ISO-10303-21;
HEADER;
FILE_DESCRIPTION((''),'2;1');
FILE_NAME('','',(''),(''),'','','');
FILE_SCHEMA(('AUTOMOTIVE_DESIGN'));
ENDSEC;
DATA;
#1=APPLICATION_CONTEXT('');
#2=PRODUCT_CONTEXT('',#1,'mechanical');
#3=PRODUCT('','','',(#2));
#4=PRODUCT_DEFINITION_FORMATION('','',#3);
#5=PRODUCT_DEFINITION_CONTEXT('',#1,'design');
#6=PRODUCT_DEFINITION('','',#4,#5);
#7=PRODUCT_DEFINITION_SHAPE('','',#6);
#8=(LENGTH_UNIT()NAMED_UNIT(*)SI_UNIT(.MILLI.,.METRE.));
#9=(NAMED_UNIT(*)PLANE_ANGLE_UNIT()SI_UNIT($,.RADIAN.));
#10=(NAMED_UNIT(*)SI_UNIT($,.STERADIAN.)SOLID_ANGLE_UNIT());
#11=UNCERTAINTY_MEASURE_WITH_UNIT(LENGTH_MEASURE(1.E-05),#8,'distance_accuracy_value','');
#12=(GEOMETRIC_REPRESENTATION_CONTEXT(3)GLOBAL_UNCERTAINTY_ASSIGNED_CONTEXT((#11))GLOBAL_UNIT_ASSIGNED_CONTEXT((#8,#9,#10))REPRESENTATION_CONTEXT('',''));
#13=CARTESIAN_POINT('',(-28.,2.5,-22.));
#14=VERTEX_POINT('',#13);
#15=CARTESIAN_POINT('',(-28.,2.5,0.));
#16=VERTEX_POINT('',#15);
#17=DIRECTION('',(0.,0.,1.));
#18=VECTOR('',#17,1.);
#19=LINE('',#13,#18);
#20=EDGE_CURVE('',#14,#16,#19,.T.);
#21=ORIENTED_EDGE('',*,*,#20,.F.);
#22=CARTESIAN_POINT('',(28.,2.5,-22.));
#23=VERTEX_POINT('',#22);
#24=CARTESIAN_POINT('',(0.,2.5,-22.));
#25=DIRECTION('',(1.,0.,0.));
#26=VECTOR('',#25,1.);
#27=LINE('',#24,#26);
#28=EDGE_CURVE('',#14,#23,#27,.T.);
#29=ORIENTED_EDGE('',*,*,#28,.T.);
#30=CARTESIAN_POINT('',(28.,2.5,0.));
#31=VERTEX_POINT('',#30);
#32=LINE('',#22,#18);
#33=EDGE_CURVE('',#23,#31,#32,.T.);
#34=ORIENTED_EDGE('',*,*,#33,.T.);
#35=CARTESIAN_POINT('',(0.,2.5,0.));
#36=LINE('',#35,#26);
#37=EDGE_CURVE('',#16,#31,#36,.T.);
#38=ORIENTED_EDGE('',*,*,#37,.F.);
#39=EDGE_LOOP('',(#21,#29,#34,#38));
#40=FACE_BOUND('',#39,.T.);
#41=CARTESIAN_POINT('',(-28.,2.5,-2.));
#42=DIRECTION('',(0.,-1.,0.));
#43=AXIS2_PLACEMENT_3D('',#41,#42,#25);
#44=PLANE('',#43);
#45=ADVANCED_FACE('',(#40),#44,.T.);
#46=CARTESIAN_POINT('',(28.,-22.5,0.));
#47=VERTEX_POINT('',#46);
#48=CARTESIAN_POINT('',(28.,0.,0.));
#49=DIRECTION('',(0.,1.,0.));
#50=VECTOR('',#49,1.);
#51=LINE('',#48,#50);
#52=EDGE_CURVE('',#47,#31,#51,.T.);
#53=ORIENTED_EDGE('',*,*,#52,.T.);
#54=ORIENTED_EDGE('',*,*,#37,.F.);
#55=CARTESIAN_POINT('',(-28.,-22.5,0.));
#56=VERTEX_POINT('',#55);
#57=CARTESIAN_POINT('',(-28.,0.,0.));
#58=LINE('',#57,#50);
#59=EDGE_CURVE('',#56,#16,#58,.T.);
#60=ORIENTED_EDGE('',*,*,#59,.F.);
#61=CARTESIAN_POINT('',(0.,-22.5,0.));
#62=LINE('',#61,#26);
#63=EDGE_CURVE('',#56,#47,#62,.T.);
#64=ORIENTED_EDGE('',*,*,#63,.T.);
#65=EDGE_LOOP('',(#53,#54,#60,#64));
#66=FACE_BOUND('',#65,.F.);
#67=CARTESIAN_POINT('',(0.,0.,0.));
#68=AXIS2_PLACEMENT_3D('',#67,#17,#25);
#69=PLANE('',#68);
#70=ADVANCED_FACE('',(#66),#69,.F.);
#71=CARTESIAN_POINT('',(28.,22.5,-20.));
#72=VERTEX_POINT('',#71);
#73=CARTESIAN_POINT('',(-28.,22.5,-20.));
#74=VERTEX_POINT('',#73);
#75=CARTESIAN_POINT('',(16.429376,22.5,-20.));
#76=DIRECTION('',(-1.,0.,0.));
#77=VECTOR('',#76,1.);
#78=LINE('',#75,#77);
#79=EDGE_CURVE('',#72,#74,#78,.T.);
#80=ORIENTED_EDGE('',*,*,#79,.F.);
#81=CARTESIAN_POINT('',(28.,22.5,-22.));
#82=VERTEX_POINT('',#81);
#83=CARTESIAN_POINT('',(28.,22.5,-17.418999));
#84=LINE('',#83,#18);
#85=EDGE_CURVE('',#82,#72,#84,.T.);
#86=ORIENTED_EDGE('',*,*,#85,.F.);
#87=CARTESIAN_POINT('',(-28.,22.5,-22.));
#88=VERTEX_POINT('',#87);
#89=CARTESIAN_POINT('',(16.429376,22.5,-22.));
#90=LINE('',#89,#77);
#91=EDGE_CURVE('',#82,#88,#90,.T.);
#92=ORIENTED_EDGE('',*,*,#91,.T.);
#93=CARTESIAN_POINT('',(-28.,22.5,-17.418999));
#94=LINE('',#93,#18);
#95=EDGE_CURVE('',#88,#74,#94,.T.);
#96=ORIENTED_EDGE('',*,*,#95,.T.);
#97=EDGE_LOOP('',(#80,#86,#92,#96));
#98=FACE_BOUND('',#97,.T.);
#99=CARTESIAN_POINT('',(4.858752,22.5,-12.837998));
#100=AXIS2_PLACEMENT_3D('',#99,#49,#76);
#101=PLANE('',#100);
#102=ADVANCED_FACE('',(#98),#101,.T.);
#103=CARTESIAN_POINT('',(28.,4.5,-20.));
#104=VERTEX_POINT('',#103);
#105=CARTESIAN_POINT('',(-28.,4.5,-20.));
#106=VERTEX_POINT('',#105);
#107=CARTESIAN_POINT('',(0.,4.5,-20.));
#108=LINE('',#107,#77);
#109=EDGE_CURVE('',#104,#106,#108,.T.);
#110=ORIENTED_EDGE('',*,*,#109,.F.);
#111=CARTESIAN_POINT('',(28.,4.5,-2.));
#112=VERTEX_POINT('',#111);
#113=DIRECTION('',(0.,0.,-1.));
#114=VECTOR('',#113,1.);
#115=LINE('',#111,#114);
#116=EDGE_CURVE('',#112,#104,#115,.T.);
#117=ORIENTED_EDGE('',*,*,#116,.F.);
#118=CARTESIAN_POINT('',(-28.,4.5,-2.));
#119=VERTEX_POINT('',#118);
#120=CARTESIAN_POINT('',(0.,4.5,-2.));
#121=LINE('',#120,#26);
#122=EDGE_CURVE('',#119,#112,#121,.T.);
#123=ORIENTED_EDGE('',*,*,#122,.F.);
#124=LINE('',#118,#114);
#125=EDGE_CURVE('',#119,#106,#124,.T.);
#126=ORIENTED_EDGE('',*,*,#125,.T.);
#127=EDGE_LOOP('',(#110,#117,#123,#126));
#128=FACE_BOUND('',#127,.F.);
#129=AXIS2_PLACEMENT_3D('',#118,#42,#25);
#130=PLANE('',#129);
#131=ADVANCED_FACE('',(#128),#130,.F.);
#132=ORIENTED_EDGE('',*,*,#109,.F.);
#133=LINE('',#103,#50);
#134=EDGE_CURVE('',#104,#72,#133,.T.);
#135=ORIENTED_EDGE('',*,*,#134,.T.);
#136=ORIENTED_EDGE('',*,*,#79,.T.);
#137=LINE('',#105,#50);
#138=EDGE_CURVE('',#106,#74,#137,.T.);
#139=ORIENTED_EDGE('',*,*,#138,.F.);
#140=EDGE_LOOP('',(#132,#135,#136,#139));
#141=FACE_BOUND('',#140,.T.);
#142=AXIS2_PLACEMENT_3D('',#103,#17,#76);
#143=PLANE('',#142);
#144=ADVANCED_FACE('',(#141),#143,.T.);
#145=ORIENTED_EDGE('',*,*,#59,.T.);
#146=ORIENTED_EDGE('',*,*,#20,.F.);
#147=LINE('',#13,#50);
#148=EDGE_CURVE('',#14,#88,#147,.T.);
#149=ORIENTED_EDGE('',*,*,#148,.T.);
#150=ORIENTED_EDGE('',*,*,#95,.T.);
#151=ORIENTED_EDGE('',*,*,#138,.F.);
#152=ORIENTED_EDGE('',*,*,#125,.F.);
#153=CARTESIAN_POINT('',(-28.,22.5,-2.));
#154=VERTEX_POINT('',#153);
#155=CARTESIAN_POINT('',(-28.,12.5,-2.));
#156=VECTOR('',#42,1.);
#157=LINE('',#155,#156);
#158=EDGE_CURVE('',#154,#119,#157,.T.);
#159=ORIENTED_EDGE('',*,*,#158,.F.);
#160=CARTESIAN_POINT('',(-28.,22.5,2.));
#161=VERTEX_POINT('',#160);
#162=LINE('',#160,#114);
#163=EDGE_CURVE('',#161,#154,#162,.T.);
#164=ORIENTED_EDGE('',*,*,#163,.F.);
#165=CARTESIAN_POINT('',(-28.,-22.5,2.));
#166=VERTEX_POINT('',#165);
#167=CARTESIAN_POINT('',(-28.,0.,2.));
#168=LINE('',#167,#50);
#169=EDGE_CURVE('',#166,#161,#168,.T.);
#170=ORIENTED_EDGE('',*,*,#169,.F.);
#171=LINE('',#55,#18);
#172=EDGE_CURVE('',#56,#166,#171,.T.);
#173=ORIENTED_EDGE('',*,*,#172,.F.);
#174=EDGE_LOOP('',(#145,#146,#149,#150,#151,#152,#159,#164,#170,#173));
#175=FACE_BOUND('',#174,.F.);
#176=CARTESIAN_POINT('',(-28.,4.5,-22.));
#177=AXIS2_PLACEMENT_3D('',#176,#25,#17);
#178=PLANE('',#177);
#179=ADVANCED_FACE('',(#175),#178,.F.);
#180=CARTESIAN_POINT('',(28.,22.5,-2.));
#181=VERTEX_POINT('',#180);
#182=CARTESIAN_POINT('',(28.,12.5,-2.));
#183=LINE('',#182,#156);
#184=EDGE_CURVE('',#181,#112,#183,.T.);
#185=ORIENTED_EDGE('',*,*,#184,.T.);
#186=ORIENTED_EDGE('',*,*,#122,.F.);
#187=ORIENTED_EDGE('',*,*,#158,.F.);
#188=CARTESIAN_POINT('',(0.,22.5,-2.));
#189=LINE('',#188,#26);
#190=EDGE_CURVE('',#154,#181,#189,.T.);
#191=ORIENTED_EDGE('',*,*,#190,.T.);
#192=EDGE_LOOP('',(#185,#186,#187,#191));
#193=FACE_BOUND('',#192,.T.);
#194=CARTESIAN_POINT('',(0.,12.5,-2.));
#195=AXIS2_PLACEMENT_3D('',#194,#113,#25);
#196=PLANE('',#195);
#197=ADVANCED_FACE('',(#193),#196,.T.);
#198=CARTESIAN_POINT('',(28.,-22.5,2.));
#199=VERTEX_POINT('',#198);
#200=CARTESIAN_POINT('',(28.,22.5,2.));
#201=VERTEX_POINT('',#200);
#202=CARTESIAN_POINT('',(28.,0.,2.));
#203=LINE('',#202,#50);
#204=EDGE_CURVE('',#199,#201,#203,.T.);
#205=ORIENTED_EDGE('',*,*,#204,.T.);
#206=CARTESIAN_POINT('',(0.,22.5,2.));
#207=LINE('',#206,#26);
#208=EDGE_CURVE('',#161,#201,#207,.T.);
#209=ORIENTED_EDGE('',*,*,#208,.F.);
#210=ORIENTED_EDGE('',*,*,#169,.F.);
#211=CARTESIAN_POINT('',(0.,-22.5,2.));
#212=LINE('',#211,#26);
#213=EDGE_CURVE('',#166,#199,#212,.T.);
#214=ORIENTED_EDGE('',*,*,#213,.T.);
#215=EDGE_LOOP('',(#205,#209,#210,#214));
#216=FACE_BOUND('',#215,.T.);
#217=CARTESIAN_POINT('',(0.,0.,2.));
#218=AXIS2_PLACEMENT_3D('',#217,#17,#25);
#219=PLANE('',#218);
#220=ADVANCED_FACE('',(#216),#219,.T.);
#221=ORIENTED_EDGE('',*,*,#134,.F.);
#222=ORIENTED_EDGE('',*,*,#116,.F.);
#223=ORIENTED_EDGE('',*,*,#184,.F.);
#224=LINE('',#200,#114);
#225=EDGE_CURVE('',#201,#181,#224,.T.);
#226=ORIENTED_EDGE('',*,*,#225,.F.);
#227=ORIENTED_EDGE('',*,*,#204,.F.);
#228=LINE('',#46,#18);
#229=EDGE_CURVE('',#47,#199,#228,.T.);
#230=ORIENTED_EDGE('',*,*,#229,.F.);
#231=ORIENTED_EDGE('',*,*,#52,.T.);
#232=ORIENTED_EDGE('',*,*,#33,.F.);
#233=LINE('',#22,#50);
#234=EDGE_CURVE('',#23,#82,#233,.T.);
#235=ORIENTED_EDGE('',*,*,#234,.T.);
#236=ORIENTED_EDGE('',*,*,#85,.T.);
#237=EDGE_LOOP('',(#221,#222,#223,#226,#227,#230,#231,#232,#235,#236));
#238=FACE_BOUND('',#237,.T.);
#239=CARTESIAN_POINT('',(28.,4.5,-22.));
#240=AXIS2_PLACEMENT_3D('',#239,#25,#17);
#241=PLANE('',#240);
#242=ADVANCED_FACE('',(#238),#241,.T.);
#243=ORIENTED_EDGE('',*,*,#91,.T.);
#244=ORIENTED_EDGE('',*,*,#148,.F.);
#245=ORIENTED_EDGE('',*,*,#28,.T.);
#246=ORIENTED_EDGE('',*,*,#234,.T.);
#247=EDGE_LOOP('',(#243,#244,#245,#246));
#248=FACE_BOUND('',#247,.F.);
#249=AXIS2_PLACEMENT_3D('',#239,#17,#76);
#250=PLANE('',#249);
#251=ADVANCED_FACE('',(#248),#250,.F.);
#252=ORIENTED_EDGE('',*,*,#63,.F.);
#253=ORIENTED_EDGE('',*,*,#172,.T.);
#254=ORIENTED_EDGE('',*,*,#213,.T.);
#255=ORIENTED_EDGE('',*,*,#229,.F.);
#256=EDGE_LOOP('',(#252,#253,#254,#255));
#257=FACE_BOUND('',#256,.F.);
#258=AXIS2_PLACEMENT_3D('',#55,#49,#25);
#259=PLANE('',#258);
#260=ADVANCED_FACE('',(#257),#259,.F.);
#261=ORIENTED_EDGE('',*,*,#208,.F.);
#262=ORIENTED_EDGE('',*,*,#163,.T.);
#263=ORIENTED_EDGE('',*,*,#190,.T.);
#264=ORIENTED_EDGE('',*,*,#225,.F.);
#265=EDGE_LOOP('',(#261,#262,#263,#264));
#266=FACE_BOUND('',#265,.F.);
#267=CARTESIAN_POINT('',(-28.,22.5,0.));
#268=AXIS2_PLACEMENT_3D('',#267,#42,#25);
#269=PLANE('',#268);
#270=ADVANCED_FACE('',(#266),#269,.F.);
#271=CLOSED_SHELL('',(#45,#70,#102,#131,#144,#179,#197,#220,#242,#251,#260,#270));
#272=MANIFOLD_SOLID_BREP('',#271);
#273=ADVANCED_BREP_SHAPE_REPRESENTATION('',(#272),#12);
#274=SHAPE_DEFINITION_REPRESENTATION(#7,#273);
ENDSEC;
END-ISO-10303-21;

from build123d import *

# Parameters (mm, degrees)
F0_W      = 56
F0_H      = 45
F1_DEPTH  = 2
F2_W      = 56
F2_H      = 20
F3_DEPTH  = 2
F4_W      = 56
F4_H      = 2
F5_DEPTH  = 20
F6_W      = 56
F6_H      = 2
F7_DEPTH  = 20
F9_W      = 69.615941
F9_H      = 33.992227
F10_DEPTH = 25


with BuildPart() as f1:
    # F0 (on Top) → F1 (new body)
    with BuildSketch(Plane.XY):
        Rectangle(F0_W, F0_H)
    extrude(amount=F1_DEPTH)

    # F2 (on face) → F3 (join)
    with BuildSketch(Plane(origin=(0, 0, 0), x_dir=(1, 0, 0), z_dir=(0, 0, -1))):
        with Locations((0, -12.5)):
            Rectangle(F2_W, F2_H)
    extrude(amount=F3_DEPTH)

    # F4 (on face) → F5 (join)
    with BuildSketch(Plane(origin=(0, 0, -2), x_dir=(1, 0, 0), z_dir=(0, 0, -1))):
        with Locations((0, -3.5)):
            Rectangle(F4_W, F4_H)
    extrude(amount=F5_DEPTH)

    # F6 (on face) → F7 (join)
    with BuildSketch(Plane(origin=(0, 4.5, 0), x_dir=(-1, 0, 0), z_dir=(0, 1, 0))):
        with Locations((0, -21)):
            Rectangle(F6_W, F6_H)
    extrude(amount=F7_DEPTH)

    # F9 (on offset) → F10 (cut)
    with BuildSketch(Plane(origin=(0, 22.5, 0), x_dir=(-1, 0, 0), z_dir=(0, 1, 0))):
        with Locations((-4.858752, -12.837998)):
            Rectangle(F9_W, F9_H)
    extrude(amount=F10_DEPTH, mode=Mode.SUBTRACT)


solid = f1.part
